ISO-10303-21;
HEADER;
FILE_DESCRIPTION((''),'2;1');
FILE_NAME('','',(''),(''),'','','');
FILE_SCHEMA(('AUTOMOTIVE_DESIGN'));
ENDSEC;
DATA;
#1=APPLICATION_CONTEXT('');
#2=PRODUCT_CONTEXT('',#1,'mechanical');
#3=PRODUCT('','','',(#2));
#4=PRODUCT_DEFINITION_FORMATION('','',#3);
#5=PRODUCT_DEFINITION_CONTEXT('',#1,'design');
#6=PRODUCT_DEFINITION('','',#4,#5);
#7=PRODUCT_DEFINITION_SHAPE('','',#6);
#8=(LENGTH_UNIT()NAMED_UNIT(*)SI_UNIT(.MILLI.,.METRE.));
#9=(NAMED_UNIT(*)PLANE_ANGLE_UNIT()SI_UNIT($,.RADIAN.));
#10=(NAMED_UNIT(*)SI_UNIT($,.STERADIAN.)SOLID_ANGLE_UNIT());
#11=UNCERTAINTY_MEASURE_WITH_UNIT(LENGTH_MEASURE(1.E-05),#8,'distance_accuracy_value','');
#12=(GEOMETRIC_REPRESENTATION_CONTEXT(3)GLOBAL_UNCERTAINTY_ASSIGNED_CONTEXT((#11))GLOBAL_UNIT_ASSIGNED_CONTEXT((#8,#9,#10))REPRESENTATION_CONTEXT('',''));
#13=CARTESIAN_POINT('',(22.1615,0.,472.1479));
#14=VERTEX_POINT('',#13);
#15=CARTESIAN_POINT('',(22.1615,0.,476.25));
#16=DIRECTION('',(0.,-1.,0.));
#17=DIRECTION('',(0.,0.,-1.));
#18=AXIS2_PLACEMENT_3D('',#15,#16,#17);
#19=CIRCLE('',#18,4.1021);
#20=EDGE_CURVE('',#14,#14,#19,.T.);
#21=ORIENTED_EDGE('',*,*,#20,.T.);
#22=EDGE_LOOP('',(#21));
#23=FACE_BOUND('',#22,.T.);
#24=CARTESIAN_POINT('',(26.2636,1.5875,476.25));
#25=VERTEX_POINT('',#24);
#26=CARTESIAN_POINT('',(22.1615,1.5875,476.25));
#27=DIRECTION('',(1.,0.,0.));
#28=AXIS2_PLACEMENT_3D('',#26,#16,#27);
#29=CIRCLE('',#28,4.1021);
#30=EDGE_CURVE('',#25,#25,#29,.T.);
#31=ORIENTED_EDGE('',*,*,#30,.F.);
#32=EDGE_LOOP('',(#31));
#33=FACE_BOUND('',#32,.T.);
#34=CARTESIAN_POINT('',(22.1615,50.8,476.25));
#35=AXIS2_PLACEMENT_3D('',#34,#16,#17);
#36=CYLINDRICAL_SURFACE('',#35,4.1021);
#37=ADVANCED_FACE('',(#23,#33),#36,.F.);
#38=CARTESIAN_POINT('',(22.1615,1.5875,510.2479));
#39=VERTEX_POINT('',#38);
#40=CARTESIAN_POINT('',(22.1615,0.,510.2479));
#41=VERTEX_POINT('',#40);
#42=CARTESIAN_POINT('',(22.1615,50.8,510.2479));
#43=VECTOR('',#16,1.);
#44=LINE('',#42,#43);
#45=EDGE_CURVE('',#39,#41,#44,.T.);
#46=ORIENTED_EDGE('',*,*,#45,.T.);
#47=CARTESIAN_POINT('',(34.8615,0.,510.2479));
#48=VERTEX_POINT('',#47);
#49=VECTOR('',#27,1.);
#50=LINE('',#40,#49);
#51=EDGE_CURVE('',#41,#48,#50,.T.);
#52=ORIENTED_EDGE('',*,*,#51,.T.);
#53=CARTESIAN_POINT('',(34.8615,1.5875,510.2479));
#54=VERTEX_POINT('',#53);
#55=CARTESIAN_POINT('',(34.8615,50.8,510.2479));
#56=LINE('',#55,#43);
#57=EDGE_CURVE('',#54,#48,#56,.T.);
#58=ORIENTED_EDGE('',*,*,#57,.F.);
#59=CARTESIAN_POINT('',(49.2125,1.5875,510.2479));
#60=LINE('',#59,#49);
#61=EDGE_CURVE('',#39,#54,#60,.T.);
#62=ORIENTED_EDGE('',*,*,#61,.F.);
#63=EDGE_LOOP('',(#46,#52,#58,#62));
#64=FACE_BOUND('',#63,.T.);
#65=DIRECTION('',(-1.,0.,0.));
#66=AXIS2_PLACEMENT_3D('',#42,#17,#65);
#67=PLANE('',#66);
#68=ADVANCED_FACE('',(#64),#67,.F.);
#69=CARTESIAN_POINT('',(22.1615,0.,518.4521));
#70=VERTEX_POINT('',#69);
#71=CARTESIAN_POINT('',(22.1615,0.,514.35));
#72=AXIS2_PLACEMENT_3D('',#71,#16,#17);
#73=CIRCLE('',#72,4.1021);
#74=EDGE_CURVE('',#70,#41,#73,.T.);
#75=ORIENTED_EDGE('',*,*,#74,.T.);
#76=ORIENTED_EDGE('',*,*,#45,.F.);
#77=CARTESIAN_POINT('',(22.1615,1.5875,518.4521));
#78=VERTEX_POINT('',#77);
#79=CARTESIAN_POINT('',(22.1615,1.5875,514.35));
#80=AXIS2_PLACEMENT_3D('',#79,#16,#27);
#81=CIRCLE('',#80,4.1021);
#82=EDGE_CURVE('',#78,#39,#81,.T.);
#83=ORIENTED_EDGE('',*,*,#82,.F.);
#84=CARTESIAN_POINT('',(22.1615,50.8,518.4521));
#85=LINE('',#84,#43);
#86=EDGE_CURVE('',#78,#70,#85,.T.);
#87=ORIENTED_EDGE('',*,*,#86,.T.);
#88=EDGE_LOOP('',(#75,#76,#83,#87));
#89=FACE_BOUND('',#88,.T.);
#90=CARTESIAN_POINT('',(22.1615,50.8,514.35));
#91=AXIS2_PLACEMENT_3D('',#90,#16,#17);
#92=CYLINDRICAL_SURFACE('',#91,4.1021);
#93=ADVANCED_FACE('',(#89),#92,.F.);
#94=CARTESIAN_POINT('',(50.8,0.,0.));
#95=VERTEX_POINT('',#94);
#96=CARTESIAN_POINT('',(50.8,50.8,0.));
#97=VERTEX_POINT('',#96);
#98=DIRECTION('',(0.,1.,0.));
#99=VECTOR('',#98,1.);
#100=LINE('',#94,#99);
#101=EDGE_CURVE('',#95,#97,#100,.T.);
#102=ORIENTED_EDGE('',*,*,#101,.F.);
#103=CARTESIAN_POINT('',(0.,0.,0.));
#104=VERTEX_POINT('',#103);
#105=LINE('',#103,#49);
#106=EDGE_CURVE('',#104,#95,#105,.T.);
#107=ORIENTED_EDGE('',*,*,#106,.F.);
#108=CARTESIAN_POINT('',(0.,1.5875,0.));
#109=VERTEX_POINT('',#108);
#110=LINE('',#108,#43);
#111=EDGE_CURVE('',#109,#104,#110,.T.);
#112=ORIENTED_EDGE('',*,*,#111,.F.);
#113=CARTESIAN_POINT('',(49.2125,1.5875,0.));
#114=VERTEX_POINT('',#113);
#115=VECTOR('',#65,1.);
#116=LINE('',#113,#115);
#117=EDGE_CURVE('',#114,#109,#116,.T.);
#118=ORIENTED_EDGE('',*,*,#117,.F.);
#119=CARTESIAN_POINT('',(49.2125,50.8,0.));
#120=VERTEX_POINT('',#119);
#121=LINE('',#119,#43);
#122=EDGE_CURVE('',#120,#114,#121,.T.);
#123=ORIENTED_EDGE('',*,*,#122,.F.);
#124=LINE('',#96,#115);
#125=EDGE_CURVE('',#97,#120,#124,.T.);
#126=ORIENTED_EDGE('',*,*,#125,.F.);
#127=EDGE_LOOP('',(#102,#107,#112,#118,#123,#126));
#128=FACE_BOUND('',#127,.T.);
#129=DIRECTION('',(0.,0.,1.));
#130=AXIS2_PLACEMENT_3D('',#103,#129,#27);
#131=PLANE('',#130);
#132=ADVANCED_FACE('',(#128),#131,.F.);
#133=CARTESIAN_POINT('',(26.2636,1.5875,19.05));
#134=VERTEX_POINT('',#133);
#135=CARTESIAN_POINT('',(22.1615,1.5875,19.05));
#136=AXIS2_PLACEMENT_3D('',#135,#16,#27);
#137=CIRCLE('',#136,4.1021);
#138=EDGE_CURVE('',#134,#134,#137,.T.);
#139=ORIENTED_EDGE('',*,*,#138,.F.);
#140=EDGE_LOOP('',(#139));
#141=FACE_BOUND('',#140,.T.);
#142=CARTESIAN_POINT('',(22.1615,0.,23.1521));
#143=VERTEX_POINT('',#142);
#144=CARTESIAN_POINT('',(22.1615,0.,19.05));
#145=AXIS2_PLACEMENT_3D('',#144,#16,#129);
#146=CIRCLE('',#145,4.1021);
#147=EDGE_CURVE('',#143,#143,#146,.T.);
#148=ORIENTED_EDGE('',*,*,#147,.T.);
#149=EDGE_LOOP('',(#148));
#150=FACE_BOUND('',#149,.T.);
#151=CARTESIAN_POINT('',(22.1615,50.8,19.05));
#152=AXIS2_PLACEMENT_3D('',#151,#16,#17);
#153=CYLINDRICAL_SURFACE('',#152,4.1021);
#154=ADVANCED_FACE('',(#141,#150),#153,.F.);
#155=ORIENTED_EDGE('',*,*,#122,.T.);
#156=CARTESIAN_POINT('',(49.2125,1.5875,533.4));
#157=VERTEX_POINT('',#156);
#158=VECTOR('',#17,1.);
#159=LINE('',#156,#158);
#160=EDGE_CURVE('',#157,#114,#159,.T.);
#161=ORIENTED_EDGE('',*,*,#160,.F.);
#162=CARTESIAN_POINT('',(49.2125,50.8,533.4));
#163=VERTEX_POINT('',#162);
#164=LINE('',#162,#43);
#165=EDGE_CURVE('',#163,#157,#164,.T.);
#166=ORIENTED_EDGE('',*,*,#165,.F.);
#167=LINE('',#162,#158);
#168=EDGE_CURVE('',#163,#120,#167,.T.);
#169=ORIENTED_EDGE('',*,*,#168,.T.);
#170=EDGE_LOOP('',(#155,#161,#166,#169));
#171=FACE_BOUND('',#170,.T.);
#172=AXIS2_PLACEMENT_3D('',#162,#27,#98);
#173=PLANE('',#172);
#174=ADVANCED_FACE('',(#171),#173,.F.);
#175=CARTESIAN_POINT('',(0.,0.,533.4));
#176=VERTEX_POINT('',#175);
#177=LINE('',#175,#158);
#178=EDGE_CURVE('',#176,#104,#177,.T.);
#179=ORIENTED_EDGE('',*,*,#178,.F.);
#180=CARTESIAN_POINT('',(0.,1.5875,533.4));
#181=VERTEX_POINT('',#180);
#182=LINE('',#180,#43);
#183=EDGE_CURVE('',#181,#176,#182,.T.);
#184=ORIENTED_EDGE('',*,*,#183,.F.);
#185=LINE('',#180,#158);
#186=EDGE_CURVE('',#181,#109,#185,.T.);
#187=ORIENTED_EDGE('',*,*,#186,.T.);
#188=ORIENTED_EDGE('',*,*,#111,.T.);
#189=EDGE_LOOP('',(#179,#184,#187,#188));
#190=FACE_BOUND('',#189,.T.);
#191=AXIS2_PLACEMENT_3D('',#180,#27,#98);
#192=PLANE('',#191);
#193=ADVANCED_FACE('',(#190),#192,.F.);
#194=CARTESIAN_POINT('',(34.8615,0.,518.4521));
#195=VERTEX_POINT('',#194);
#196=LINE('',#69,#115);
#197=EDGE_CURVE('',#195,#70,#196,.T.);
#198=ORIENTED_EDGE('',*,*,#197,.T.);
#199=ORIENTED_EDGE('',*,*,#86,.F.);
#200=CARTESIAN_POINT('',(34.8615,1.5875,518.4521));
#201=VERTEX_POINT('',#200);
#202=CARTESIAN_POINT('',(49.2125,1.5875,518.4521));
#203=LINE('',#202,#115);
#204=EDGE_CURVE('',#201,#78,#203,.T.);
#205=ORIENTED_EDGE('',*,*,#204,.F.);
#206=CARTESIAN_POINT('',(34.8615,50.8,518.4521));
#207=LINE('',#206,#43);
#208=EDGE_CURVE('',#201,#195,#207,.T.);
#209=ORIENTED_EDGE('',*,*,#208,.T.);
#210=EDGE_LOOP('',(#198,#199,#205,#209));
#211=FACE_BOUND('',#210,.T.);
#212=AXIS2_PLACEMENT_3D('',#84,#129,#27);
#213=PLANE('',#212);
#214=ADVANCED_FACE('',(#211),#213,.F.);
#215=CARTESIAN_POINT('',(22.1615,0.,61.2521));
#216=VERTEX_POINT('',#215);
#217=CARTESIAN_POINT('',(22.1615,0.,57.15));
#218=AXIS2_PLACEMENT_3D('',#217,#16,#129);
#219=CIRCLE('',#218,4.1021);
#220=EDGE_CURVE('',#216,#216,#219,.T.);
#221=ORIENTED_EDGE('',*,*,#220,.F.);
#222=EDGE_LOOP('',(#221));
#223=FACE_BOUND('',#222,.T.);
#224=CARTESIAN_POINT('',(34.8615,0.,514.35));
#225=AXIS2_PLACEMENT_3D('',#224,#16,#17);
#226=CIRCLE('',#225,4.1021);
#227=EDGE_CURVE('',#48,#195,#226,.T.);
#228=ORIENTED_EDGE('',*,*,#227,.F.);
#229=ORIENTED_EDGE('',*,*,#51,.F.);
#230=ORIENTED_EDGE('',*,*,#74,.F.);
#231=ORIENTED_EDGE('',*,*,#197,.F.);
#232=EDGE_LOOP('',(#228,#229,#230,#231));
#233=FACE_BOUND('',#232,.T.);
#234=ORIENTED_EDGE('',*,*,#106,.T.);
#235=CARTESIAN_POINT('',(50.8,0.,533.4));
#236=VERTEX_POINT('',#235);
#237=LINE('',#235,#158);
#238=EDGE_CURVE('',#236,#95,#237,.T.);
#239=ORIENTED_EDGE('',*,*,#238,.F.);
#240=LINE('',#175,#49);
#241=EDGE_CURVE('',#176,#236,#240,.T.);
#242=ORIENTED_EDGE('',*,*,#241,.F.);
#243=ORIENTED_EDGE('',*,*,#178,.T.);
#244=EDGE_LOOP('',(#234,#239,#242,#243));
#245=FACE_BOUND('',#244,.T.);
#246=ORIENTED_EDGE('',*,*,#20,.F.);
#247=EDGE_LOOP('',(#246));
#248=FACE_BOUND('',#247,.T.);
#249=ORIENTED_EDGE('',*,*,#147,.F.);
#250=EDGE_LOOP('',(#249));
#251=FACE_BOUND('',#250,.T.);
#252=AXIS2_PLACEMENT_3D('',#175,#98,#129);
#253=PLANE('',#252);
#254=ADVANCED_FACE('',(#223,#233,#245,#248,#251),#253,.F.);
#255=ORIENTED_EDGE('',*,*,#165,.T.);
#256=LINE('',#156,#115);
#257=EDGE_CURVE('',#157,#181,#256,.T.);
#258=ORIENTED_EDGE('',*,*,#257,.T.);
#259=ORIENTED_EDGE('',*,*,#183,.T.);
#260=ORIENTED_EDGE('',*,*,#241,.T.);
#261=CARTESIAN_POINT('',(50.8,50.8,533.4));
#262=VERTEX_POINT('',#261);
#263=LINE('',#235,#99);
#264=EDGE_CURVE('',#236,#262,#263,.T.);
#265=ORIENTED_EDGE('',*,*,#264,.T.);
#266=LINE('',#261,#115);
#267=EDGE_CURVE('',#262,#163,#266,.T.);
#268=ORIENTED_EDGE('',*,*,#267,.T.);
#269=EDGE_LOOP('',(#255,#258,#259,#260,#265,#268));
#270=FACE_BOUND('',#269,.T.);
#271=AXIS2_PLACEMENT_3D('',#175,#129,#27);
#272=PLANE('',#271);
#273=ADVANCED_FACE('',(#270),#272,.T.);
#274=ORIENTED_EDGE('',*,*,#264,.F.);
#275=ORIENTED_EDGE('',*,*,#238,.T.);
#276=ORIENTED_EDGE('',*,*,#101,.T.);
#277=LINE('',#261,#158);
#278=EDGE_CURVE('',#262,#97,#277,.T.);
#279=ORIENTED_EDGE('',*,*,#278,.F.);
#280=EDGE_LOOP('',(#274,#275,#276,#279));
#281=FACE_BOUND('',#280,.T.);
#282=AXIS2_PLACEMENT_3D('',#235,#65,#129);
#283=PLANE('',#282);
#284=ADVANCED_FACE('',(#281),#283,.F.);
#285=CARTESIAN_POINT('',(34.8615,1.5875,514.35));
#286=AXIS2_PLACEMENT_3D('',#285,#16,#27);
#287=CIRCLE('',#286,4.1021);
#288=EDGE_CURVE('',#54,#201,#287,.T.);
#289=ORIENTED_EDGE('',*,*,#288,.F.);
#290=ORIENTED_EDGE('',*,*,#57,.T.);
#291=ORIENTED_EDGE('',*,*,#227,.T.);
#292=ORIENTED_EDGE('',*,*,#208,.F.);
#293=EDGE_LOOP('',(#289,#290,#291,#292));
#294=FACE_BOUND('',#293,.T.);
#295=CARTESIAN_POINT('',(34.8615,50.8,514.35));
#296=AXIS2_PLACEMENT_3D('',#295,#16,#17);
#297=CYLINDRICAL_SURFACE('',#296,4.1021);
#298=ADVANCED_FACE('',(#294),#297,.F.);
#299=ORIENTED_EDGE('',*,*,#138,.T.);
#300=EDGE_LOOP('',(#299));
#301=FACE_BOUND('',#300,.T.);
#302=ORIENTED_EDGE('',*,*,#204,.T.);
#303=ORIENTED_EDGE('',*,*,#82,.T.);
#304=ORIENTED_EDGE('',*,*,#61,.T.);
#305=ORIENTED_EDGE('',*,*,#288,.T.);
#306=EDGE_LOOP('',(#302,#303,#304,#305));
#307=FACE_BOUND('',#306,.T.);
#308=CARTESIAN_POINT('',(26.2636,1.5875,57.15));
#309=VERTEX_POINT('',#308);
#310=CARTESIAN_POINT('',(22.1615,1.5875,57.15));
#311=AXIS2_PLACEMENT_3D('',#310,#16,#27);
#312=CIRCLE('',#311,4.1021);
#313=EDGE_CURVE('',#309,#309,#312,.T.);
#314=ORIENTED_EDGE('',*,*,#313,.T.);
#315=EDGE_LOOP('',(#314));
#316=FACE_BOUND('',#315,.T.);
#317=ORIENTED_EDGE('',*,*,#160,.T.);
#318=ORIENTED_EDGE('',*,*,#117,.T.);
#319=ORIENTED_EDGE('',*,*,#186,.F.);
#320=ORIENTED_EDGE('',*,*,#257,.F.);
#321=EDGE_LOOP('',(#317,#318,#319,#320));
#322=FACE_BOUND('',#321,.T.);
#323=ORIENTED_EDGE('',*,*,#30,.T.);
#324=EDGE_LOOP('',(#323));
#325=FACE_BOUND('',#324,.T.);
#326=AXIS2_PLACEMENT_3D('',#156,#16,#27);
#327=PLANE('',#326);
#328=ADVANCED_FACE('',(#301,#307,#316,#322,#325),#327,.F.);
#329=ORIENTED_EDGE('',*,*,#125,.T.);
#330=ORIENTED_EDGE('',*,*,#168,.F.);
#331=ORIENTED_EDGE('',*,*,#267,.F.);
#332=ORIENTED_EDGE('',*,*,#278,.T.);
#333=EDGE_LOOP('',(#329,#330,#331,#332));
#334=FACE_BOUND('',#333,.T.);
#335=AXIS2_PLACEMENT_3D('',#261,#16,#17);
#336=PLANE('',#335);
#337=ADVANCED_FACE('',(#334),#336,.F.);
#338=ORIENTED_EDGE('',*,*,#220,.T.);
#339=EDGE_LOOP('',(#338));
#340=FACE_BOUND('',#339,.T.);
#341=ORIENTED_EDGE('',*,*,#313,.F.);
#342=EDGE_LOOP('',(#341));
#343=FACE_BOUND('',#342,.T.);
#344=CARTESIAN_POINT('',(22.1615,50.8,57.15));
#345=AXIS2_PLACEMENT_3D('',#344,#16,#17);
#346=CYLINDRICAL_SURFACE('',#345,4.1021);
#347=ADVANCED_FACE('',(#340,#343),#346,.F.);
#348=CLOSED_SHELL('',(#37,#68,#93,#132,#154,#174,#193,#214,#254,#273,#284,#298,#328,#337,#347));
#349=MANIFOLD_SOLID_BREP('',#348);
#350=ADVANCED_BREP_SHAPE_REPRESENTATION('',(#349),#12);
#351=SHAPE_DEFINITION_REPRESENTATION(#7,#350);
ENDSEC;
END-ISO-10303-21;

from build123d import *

# Parameters (mm, degrees)
EXTRUDE1_DEPTH     = 533.4
SKETCH2_R          = 4.1021
CUT_EXTRUDE1_DEPTH = 51.8


with BuildPart() as part:
    # Sketch1 → Extrude1 (new body)
    with BuildSketch(Plane.XY):
        Polygon((0, 0), (50.8, 0), (50.8, 50.8), (49.2125, 50.8), (49.2125, 1.5875), (0, 1.5875), align=None)
    extrude(amount=EXTRUDE1_DEPTH)

    # Sketch2 → Cut-Extrude1 (cut, through all)
    with BuildSketch(Plane.XZ):
        with Locations((22.1615, 57.15)):
            Circle(SKETCH2_R)
        with Locations((22.1615, 476.25)):
            Circle(SKETCH2_R)
        with Locations((22.1615, 19.05)):
            Circle(SKETCH2_R)
        with BuildLine():
            Line((22.1615, 518.4521), (34.8615, 518.4521))
            ThreePointArc((34.8615, 518.4521), (38.9636, 514.35), (34.8615, 510.2479))
            Line((34.8615, 510.2479), (22.1615, 510.2479))
            ThreePointArc((22.1615, 510.2479), (18.0594, 514.35), (22.1615, 518.4521))
        make_face()
    extrude(amount=-CUT_EXTRUDE1_DEPTH, mode=Mode.SUBTRACT)


solid = part.part
